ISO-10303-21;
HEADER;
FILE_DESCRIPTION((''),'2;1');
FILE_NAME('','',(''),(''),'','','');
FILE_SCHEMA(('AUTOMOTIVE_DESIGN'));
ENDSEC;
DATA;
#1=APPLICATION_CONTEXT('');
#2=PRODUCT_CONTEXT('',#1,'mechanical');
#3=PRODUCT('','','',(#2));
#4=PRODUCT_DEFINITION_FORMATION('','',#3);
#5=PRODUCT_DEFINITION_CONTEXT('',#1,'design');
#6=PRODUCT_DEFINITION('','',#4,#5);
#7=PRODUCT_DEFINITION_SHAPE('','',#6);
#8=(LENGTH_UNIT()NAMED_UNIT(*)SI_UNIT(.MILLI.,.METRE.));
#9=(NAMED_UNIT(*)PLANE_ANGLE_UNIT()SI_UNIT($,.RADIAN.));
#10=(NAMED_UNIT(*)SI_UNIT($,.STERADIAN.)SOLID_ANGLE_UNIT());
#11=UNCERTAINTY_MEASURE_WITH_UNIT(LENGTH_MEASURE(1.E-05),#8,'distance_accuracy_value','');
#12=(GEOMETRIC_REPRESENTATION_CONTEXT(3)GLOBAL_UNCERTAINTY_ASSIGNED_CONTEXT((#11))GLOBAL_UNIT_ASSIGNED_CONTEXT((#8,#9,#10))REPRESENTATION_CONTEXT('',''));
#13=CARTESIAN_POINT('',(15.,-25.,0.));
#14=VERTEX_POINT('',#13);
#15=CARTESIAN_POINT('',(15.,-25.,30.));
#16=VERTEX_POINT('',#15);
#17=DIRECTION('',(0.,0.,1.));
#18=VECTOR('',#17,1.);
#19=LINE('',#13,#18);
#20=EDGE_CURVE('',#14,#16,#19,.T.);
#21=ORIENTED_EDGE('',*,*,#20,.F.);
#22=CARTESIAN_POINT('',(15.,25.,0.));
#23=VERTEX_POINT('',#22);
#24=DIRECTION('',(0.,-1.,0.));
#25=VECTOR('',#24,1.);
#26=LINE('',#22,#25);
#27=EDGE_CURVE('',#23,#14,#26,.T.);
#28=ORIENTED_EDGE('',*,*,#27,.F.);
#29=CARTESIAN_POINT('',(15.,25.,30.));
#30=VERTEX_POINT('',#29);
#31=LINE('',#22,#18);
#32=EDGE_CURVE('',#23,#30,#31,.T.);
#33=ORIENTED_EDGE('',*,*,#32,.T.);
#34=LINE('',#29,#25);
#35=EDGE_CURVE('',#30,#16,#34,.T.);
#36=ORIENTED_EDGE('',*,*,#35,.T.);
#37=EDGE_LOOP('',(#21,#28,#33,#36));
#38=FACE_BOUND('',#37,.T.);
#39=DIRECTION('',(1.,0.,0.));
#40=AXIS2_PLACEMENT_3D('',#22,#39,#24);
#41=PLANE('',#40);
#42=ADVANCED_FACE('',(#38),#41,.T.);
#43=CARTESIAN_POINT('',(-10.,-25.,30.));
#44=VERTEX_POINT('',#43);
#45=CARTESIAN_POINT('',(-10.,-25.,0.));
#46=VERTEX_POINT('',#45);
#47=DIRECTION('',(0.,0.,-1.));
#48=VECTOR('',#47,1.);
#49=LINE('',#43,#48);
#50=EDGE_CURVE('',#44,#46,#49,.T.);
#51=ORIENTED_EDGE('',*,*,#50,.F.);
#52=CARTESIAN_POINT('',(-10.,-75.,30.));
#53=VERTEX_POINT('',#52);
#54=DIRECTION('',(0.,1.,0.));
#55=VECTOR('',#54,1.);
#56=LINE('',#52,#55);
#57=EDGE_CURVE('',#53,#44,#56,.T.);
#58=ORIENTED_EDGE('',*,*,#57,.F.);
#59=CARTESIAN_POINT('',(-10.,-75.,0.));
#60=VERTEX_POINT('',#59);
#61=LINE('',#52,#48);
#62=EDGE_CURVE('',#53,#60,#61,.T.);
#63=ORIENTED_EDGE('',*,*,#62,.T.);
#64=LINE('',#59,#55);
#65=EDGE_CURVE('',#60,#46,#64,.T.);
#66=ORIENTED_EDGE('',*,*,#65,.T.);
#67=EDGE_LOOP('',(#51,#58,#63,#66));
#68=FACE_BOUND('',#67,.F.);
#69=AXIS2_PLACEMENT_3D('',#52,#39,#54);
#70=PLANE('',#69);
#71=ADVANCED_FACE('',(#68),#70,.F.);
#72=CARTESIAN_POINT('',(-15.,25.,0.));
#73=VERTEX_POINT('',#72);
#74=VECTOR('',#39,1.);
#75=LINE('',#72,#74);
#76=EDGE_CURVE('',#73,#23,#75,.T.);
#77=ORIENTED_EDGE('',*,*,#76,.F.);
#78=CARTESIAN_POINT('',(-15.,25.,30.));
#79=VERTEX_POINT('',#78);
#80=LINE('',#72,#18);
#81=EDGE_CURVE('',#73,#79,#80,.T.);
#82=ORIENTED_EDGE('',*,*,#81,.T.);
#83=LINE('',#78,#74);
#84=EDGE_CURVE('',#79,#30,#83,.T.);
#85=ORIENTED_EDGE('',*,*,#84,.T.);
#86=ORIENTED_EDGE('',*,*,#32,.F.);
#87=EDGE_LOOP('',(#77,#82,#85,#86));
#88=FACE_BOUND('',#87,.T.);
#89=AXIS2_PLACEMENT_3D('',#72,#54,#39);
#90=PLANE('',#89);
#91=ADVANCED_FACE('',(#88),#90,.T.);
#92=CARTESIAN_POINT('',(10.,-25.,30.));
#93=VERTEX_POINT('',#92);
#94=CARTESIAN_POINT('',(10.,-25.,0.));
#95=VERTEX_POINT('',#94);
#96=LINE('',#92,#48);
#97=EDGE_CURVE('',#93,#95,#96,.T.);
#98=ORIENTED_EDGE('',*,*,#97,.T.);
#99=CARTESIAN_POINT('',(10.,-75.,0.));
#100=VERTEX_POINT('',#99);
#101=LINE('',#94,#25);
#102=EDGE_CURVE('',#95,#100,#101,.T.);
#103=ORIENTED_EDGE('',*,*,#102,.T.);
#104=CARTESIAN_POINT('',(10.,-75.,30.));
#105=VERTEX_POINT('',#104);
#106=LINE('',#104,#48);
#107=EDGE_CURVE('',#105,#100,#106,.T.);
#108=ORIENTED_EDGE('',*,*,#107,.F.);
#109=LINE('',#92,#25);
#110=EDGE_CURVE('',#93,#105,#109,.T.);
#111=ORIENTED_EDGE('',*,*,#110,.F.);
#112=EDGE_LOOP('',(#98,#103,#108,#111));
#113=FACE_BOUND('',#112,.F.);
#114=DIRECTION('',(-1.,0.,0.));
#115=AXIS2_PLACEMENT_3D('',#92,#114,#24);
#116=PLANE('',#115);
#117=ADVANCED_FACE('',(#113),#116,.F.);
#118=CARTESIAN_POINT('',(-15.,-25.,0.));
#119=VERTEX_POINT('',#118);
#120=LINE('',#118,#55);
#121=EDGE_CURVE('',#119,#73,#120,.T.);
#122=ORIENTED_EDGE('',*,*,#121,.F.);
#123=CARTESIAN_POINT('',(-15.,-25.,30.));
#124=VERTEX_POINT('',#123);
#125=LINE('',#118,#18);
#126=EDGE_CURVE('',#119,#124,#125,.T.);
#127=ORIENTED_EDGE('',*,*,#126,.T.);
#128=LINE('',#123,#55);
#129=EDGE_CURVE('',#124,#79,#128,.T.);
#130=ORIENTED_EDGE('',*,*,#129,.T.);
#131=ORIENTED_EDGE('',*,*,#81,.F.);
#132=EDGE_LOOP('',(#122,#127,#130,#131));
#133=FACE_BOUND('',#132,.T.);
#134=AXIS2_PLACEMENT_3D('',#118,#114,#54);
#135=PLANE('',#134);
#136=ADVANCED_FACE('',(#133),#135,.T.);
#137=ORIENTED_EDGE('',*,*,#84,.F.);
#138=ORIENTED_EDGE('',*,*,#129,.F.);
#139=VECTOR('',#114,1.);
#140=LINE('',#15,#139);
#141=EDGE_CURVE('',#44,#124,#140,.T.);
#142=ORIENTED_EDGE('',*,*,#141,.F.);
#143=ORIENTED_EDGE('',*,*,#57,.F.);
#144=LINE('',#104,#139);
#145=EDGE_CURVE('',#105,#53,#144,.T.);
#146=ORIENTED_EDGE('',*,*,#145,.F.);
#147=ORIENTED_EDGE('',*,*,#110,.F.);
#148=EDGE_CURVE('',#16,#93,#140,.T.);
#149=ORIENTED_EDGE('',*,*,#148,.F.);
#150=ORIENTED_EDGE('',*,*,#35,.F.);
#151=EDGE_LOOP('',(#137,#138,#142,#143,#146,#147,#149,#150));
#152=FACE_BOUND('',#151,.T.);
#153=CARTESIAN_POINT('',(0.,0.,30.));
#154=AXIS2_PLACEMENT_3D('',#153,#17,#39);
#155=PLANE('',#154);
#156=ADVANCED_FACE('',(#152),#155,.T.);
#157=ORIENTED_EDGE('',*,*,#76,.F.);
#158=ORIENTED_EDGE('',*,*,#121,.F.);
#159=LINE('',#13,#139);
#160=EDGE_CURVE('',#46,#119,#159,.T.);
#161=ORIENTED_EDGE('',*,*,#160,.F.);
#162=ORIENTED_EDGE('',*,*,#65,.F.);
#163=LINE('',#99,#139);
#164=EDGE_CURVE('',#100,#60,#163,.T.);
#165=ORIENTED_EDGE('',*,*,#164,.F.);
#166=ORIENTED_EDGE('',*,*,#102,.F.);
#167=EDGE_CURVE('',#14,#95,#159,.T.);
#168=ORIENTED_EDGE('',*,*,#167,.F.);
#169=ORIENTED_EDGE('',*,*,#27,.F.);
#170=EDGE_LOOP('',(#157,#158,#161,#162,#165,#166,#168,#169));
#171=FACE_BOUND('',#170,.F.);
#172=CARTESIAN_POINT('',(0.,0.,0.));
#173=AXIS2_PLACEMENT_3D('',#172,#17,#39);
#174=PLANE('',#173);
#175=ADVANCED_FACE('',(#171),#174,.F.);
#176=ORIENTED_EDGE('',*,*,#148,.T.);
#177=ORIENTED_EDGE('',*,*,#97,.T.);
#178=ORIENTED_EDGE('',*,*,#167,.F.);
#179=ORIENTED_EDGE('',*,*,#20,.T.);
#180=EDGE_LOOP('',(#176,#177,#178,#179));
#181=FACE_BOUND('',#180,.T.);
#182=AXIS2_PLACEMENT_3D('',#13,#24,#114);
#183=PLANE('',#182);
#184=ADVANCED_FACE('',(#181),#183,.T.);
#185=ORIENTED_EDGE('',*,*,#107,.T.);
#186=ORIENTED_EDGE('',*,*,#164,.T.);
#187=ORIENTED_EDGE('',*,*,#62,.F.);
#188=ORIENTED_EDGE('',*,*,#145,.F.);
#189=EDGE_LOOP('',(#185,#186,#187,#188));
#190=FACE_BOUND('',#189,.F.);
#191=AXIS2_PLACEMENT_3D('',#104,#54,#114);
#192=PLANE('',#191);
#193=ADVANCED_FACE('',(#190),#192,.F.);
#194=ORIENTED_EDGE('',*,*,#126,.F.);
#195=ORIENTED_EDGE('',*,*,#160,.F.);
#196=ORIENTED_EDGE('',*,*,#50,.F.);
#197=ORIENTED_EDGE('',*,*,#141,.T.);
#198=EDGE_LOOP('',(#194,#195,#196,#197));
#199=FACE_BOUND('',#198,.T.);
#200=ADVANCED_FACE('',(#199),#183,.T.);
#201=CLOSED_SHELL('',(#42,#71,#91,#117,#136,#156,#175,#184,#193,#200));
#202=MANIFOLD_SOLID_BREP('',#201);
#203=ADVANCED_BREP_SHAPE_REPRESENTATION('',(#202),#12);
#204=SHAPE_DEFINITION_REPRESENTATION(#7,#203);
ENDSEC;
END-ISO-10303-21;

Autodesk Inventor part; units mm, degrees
sketch "Sketch1" plane through (0, 0, 0) normal (0, 0, 1) x (1, 0, 0)
  line L0 (-15, 25) -> (15, 25)
  line L1 (15, 25) -> (15, -25)
  line L2 (15, -25) -> (-15, -25)
  line L3 (-15, -25) -> (-15, 25)
  point P0 (0, 0)
  point P1 (0, 25)
  point P2 (-15, 0)
  dimension "d0" = 50
  dimension "d1" = 30
extrude "Extrusion1" add sketch "Sketch1" along normal blind 30
sketch "Sketch2" plane through (0, 0, 30) normal (0, 0, 1) x (1, 0, 0)
  line L0 (-15, -25) -> (15, -25) projected
  line L1 (-10, -25) -> (10, -25)
  line L2 (10, -25) -> (10, -75)
  line L3 (10, -75) -> (-10, -75)
  line L4 (-10, -75) -> (-10, -25)
  point P0 (0, 0)
  point P1 (0, -25)
  point P2 (0, -25)
  dimension "d4" = 20
  dimension "d5" = 50
extrude "Extrusion2" add sketch "Sketch2" against normal blind 30
properties part number "Actuator"
